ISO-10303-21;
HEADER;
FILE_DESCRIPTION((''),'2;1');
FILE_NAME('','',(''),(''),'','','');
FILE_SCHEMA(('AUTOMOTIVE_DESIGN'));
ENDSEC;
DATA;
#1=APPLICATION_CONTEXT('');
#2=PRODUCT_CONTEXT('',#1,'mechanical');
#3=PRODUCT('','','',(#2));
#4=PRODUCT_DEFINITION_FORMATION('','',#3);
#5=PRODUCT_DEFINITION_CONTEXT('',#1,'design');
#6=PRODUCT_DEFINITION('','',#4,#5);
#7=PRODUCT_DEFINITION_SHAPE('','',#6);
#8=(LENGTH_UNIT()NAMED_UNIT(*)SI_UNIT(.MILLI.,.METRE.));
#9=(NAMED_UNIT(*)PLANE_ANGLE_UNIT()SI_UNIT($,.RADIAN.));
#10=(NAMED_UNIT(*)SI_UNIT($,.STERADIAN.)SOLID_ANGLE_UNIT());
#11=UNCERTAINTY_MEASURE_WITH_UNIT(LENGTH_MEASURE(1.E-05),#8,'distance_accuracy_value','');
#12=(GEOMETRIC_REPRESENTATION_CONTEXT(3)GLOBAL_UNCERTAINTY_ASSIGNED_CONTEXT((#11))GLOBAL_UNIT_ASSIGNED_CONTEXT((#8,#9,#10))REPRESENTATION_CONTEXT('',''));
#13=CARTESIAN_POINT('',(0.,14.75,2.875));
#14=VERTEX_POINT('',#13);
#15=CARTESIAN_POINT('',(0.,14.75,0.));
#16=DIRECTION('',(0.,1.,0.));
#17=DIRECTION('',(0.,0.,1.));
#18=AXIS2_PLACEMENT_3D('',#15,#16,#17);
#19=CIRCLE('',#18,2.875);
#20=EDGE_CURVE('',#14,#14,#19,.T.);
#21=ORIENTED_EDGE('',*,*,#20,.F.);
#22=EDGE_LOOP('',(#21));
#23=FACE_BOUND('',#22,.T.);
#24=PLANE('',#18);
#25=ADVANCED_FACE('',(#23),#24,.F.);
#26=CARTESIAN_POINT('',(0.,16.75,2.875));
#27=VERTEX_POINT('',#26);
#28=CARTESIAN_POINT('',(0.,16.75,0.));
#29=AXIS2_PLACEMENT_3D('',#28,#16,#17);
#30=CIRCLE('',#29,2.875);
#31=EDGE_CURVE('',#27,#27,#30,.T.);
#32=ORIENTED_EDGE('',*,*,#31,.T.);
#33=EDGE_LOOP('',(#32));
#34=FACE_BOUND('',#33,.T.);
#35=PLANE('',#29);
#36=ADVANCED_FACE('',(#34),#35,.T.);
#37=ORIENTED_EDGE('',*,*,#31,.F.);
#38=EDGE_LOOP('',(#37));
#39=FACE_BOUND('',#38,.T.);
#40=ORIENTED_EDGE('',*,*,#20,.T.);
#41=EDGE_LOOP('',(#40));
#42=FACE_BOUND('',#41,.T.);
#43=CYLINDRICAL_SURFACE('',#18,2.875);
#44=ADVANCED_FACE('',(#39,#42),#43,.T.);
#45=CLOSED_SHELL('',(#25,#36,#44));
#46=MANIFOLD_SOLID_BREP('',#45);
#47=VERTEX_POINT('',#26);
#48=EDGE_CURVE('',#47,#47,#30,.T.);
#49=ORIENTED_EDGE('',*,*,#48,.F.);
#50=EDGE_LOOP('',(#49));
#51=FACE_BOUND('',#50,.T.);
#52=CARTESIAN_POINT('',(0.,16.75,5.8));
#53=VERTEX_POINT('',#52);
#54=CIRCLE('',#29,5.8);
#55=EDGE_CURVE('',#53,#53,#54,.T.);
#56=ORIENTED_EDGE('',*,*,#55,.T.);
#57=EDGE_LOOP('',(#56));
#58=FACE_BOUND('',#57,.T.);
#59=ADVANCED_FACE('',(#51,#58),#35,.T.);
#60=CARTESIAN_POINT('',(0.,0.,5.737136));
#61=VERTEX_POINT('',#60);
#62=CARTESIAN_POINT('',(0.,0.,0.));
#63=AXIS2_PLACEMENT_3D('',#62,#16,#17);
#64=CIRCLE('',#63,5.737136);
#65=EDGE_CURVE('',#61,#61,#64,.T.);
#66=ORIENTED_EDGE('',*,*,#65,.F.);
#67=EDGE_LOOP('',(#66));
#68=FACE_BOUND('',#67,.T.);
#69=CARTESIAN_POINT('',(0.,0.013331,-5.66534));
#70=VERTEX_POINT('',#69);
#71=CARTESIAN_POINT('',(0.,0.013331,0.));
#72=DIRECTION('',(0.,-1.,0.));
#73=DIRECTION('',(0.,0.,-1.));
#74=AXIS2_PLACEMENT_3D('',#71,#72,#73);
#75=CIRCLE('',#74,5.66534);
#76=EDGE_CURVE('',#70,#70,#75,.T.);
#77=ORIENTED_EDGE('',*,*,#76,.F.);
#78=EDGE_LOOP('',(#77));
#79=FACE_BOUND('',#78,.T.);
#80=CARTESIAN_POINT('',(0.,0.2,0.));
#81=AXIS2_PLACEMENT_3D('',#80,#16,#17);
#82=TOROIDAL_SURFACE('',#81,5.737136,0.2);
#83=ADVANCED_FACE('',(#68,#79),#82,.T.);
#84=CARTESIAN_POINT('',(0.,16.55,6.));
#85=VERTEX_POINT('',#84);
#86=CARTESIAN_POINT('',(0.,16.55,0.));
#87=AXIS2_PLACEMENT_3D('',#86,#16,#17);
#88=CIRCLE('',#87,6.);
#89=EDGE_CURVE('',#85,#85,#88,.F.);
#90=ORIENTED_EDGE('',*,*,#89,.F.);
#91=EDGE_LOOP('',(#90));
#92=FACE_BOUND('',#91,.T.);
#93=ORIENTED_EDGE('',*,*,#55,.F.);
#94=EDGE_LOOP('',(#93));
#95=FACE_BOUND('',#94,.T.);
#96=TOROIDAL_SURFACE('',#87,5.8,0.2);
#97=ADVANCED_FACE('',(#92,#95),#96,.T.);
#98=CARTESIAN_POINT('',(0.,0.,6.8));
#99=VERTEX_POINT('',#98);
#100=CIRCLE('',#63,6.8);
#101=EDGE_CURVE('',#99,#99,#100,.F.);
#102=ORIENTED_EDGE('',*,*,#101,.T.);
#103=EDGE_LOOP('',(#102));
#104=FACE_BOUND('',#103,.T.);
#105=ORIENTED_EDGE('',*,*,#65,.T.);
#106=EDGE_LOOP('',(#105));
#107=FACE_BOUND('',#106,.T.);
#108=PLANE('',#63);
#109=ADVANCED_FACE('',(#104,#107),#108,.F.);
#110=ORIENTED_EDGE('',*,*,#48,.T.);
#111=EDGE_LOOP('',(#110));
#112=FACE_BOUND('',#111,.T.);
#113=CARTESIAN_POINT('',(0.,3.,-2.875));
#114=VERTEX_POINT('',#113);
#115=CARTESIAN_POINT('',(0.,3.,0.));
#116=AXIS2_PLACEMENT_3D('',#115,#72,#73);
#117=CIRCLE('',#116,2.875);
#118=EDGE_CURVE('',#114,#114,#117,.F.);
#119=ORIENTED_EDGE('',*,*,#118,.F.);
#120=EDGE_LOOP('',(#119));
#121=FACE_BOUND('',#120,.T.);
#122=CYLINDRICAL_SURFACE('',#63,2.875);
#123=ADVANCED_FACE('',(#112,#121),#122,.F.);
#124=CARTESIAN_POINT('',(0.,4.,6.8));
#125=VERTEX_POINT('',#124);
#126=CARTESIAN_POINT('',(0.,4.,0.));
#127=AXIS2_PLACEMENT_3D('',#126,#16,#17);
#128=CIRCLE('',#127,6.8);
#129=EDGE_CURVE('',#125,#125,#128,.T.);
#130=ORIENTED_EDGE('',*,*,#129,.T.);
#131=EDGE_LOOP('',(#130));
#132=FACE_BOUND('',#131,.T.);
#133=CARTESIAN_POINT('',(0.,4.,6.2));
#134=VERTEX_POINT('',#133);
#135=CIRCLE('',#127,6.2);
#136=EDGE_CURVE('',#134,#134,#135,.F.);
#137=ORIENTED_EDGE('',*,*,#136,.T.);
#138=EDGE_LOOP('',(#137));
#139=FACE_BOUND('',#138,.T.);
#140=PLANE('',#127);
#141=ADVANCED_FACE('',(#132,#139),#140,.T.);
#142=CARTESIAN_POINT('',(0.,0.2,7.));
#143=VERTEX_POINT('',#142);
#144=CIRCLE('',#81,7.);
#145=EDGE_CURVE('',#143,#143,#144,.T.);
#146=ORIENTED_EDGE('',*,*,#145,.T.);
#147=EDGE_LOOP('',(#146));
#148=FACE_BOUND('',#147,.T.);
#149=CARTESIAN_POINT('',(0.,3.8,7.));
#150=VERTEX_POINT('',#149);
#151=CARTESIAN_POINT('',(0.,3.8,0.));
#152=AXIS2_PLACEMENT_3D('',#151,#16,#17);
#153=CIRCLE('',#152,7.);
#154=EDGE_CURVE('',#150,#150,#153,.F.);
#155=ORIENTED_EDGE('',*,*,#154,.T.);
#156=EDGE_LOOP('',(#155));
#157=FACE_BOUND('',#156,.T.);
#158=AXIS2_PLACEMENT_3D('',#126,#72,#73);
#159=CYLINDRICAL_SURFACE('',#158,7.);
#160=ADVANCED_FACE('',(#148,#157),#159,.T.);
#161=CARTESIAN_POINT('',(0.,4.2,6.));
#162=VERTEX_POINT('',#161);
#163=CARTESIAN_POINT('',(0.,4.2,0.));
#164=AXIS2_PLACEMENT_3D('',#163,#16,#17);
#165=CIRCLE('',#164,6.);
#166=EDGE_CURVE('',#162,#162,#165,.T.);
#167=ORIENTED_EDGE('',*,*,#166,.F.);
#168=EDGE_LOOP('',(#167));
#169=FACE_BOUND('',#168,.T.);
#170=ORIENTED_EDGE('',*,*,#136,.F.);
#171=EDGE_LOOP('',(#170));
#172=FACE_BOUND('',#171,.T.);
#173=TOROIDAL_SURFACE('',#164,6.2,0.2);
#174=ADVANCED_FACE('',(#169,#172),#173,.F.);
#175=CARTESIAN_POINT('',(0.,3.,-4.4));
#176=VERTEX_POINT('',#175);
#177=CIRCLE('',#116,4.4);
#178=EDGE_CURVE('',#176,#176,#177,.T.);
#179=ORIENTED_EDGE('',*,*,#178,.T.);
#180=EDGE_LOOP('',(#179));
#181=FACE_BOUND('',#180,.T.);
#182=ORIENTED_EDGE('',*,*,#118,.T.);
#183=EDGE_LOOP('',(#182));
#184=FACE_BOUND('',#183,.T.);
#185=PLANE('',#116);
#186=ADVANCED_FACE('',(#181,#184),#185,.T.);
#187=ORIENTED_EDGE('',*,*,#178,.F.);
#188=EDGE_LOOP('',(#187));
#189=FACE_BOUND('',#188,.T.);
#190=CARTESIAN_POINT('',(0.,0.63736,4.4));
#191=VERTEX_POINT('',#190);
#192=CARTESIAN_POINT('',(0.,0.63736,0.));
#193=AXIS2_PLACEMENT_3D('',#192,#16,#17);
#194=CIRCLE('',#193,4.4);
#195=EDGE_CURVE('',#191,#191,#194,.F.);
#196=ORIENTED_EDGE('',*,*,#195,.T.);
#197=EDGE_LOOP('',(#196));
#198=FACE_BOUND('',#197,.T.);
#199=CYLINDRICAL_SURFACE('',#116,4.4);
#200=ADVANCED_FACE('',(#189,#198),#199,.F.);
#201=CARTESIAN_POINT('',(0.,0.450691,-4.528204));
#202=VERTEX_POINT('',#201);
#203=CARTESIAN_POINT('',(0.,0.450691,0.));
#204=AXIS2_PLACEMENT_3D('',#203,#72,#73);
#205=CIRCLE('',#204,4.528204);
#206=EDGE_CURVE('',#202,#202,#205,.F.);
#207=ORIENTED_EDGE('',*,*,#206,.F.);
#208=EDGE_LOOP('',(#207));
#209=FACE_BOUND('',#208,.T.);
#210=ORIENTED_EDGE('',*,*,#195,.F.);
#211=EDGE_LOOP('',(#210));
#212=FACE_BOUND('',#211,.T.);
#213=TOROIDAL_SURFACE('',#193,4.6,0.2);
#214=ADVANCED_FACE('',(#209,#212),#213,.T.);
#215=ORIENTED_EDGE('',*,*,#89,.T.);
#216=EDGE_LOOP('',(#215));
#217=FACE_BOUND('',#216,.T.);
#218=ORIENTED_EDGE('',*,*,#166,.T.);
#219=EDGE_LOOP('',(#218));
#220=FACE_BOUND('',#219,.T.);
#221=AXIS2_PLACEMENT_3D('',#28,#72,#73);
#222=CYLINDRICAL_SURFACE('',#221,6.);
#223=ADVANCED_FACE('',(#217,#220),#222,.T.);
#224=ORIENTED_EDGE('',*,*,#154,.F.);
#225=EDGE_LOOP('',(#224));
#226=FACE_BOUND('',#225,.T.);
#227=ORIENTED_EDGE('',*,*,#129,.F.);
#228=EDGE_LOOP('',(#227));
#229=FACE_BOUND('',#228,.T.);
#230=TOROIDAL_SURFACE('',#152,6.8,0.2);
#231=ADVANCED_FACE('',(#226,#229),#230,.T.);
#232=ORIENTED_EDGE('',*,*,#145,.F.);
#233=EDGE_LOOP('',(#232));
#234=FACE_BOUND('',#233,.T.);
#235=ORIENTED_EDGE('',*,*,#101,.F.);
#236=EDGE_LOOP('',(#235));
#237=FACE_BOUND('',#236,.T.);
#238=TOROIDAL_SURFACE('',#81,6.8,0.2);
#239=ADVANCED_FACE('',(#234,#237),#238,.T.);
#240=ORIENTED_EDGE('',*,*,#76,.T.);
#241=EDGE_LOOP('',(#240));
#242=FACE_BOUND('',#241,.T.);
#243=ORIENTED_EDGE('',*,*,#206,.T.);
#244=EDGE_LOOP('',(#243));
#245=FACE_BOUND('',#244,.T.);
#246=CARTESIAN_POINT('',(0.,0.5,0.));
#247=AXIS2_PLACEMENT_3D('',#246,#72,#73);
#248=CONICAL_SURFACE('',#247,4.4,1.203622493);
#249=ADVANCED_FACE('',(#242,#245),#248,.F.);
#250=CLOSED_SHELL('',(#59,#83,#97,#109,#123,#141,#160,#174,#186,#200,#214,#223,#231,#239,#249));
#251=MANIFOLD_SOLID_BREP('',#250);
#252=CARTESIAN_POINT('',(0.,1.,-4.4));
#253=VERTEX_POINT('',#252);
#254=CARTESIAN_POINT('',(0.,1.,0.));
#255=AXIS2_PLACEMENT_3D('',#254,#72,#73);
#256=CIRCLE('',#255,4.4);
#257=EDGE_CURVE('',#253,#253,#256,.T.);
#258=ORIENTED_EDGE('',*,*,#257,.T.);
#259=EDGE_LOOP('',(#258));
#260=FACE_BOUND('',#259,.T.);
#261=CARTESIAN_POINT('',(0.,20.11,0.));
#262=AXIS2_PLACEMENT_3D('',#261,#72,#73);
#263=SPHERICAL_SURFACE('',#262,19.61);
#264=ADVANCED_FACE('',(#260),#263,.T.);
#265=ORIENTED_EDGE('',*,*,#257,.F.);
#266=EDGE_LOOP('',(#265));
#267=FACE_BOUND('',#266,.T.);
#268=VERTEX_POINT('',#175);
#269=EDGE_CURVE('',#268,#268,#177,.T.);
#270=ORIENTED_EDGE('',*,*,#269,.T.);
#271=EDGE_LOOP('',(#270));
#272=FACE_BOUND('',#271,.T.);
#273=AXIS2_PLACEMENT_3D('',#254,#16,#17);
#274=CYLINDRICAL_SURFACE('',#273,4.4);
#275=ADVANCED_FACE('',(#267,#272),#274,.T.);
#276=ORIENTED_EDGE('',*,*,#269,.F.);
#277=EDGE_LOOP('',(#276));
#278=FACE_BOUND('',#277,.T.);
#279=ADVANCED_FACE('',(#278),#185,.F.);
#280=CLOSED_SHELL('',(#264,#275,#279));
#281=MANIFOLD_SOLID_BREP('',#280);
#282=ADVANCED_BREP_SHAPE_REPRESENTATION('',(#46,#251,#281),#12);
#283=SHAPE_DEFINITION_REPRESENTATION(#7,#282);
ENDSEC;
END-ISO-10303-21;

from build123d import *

# Parameters (mm, degrees)
SKETCH1_R           = 7
BOSS_EXTRUDE1_DEPTH = 4
SKETCH2_R           = 6
BOSS_EXTRUDE2_DEPTH = 12.75
SKETCH3_R           = 2.875
CUT_EXTRUDE1_DEPTH  = 20.456682657
SKETCH4_R           = 4.4
CUT_EXTRUDE2_DEPTH  = 3
CHAMFER1_SIZE       = 1.3
CHAMFER1_SIZE2      = 0.5
SKETCH5_R           = 4.4
BOSS_EXTRUDE3_DEPTH = 2
DOME1_FACE_RADIUS   = 4.4
DOME1_HEIGHT        = 0.5
FILLET1_R           = 0.2
SKETCH6_R           = 2.875
BOSS_EXTRUDE4_DEPTH = 2


with BuildPart() as part:
    # Sketch1 → Boss-Extrude1 (new body)
    with BuildSketch(Plane(origin=(0, 0, 0), x_dir=(1, 0, 0), z_dir=(0, 1, 0))):
        with Locations(Location((0, 0, 0), (0, 0, 270))):
            Circle(SKETCH1_R)
    extrude(amount=BOSS_EXTRUDE1_DEPTH)

    # Sketch2 → Boss-Extrude2 (add)
    with BuildSketch(Plane(origin=(0, 4, 0), x_dir=(1, 0, 0), z_dir=(0, 1, 0))):
        with Locations(Location((0, 0, 0), (0, 0, 270))):
            Circle(SKETCH2_R)
    extrude(amount=BOSS_EXTRUDE2_DEPTH)

    # Sketch3 → Cut-Extrude1 (cut, through all)
    with BuildSketch(Plane(origin=(0, 16.75, 0), x_dir=(1, 0, 0), z_dir=(0, 1, 0))):
        with Locations(Location((0, 0, 0), (0, 0, 270))):
            Circle(SKETCH3_R)
    extrude(amount=-CUT_EXTRUDE1_DEPTH, mode=Mode.SUBTRACT)

    # Sketch4 → Cut-Extrude2 (cut)
    with BuildSketch(Plane(origin=(0, 0, 0), x_dir=(-1, 0, 0), z_dir=(0, -1, 0))):
        with Locations(Location((0, 0, 0), (0, 0, 90))):
            Circle(SKETCH4_R)
    extrude(amount=-CUT_EXTRUDE2_DEPTH, mode=Mode.SUBTRACT)

    # Chamfer1
    chamfer1_edges = [part.edges().sort_by_distance(p)[0] for p in [
        (0, 0, 4.4),
    ]]
    chamfer1_side = [part.faces().sort_by_distance(p)[0] for p in [
        (0, 0, -6.802010101),
    ]]
    chamfer(chamfer1_edges, length=CHAMFER1_SIZE, length2=CHAMFER1_SIZE2, reference=chamfer1_side[0])

    # Fillet1
    fillet1_edges = [part.edges().sort_by_distance(p)[0] for p in [
        (0, 0, -7),
        (0, 0.5, 4.4),
        (0, 0, 5.7),
        (0, 4, -7),
        (0, 4, -6),
        (0, 16.75, -6),
    ]]
    fillet(fillet1_edges, radius=FILLET1_R)


with BuildPart() as body_2:
    # Sketch5 → Boss-Extrude3 (new body)
    with BuildSketch(Plane(origin=(0, 3, 0), x_dir=(-1, 0, 0), z_dir=(0, -1, 0))):
        with Locations(Location((0, 0, 0), (0, 0, 90))):
            Circle(SKETCH5_R)
    extrude(amount=BOSS_EXTRUDE3_DEPTH)

    # Dome1: a dome of height H over a round flat face of radius A is a cap of a sphere of radius (A * A + H * H) / (2 * H)
    dome1_r = (DOME1_FACE_RADIUS * DOME1_FACE_RADIUS + DOME1_HEIGHT * DOME1_HEIGHT) / (2 * DOME1_HEIGHT)
    dome1_base = Plane((0, 1, 0), z_dir=(0, -1, 0))
    with Locations(dome1_base.offset(DOME1_HEIGHT - dome1_r)):
        dome1_ball = Sphere(dome1_r, mode=Mode.PRIVATE)
    add(split(dome1_ball, bisect_by=dome1_base, keep=Keep.TOP, mode=Mode.PRIVATE))


with BuildPart() as body_3:
    # Sketch6 → Boss-Extrude4 (new body)
    with BuildSketch(Plane(origin=(0, 16.75, 0), x_dir=(1, 0, 0), z_dir=(0, 1, 0))):
        with Locations(Location((0, 0, 0), (0, 0, 270))):
            Circle(SKETCH6_R)
    extrude(amount=-BOSS_EXTRUDE4_DEPTH)


solid = Compound([part.part, body_2.part, body_3.part])
